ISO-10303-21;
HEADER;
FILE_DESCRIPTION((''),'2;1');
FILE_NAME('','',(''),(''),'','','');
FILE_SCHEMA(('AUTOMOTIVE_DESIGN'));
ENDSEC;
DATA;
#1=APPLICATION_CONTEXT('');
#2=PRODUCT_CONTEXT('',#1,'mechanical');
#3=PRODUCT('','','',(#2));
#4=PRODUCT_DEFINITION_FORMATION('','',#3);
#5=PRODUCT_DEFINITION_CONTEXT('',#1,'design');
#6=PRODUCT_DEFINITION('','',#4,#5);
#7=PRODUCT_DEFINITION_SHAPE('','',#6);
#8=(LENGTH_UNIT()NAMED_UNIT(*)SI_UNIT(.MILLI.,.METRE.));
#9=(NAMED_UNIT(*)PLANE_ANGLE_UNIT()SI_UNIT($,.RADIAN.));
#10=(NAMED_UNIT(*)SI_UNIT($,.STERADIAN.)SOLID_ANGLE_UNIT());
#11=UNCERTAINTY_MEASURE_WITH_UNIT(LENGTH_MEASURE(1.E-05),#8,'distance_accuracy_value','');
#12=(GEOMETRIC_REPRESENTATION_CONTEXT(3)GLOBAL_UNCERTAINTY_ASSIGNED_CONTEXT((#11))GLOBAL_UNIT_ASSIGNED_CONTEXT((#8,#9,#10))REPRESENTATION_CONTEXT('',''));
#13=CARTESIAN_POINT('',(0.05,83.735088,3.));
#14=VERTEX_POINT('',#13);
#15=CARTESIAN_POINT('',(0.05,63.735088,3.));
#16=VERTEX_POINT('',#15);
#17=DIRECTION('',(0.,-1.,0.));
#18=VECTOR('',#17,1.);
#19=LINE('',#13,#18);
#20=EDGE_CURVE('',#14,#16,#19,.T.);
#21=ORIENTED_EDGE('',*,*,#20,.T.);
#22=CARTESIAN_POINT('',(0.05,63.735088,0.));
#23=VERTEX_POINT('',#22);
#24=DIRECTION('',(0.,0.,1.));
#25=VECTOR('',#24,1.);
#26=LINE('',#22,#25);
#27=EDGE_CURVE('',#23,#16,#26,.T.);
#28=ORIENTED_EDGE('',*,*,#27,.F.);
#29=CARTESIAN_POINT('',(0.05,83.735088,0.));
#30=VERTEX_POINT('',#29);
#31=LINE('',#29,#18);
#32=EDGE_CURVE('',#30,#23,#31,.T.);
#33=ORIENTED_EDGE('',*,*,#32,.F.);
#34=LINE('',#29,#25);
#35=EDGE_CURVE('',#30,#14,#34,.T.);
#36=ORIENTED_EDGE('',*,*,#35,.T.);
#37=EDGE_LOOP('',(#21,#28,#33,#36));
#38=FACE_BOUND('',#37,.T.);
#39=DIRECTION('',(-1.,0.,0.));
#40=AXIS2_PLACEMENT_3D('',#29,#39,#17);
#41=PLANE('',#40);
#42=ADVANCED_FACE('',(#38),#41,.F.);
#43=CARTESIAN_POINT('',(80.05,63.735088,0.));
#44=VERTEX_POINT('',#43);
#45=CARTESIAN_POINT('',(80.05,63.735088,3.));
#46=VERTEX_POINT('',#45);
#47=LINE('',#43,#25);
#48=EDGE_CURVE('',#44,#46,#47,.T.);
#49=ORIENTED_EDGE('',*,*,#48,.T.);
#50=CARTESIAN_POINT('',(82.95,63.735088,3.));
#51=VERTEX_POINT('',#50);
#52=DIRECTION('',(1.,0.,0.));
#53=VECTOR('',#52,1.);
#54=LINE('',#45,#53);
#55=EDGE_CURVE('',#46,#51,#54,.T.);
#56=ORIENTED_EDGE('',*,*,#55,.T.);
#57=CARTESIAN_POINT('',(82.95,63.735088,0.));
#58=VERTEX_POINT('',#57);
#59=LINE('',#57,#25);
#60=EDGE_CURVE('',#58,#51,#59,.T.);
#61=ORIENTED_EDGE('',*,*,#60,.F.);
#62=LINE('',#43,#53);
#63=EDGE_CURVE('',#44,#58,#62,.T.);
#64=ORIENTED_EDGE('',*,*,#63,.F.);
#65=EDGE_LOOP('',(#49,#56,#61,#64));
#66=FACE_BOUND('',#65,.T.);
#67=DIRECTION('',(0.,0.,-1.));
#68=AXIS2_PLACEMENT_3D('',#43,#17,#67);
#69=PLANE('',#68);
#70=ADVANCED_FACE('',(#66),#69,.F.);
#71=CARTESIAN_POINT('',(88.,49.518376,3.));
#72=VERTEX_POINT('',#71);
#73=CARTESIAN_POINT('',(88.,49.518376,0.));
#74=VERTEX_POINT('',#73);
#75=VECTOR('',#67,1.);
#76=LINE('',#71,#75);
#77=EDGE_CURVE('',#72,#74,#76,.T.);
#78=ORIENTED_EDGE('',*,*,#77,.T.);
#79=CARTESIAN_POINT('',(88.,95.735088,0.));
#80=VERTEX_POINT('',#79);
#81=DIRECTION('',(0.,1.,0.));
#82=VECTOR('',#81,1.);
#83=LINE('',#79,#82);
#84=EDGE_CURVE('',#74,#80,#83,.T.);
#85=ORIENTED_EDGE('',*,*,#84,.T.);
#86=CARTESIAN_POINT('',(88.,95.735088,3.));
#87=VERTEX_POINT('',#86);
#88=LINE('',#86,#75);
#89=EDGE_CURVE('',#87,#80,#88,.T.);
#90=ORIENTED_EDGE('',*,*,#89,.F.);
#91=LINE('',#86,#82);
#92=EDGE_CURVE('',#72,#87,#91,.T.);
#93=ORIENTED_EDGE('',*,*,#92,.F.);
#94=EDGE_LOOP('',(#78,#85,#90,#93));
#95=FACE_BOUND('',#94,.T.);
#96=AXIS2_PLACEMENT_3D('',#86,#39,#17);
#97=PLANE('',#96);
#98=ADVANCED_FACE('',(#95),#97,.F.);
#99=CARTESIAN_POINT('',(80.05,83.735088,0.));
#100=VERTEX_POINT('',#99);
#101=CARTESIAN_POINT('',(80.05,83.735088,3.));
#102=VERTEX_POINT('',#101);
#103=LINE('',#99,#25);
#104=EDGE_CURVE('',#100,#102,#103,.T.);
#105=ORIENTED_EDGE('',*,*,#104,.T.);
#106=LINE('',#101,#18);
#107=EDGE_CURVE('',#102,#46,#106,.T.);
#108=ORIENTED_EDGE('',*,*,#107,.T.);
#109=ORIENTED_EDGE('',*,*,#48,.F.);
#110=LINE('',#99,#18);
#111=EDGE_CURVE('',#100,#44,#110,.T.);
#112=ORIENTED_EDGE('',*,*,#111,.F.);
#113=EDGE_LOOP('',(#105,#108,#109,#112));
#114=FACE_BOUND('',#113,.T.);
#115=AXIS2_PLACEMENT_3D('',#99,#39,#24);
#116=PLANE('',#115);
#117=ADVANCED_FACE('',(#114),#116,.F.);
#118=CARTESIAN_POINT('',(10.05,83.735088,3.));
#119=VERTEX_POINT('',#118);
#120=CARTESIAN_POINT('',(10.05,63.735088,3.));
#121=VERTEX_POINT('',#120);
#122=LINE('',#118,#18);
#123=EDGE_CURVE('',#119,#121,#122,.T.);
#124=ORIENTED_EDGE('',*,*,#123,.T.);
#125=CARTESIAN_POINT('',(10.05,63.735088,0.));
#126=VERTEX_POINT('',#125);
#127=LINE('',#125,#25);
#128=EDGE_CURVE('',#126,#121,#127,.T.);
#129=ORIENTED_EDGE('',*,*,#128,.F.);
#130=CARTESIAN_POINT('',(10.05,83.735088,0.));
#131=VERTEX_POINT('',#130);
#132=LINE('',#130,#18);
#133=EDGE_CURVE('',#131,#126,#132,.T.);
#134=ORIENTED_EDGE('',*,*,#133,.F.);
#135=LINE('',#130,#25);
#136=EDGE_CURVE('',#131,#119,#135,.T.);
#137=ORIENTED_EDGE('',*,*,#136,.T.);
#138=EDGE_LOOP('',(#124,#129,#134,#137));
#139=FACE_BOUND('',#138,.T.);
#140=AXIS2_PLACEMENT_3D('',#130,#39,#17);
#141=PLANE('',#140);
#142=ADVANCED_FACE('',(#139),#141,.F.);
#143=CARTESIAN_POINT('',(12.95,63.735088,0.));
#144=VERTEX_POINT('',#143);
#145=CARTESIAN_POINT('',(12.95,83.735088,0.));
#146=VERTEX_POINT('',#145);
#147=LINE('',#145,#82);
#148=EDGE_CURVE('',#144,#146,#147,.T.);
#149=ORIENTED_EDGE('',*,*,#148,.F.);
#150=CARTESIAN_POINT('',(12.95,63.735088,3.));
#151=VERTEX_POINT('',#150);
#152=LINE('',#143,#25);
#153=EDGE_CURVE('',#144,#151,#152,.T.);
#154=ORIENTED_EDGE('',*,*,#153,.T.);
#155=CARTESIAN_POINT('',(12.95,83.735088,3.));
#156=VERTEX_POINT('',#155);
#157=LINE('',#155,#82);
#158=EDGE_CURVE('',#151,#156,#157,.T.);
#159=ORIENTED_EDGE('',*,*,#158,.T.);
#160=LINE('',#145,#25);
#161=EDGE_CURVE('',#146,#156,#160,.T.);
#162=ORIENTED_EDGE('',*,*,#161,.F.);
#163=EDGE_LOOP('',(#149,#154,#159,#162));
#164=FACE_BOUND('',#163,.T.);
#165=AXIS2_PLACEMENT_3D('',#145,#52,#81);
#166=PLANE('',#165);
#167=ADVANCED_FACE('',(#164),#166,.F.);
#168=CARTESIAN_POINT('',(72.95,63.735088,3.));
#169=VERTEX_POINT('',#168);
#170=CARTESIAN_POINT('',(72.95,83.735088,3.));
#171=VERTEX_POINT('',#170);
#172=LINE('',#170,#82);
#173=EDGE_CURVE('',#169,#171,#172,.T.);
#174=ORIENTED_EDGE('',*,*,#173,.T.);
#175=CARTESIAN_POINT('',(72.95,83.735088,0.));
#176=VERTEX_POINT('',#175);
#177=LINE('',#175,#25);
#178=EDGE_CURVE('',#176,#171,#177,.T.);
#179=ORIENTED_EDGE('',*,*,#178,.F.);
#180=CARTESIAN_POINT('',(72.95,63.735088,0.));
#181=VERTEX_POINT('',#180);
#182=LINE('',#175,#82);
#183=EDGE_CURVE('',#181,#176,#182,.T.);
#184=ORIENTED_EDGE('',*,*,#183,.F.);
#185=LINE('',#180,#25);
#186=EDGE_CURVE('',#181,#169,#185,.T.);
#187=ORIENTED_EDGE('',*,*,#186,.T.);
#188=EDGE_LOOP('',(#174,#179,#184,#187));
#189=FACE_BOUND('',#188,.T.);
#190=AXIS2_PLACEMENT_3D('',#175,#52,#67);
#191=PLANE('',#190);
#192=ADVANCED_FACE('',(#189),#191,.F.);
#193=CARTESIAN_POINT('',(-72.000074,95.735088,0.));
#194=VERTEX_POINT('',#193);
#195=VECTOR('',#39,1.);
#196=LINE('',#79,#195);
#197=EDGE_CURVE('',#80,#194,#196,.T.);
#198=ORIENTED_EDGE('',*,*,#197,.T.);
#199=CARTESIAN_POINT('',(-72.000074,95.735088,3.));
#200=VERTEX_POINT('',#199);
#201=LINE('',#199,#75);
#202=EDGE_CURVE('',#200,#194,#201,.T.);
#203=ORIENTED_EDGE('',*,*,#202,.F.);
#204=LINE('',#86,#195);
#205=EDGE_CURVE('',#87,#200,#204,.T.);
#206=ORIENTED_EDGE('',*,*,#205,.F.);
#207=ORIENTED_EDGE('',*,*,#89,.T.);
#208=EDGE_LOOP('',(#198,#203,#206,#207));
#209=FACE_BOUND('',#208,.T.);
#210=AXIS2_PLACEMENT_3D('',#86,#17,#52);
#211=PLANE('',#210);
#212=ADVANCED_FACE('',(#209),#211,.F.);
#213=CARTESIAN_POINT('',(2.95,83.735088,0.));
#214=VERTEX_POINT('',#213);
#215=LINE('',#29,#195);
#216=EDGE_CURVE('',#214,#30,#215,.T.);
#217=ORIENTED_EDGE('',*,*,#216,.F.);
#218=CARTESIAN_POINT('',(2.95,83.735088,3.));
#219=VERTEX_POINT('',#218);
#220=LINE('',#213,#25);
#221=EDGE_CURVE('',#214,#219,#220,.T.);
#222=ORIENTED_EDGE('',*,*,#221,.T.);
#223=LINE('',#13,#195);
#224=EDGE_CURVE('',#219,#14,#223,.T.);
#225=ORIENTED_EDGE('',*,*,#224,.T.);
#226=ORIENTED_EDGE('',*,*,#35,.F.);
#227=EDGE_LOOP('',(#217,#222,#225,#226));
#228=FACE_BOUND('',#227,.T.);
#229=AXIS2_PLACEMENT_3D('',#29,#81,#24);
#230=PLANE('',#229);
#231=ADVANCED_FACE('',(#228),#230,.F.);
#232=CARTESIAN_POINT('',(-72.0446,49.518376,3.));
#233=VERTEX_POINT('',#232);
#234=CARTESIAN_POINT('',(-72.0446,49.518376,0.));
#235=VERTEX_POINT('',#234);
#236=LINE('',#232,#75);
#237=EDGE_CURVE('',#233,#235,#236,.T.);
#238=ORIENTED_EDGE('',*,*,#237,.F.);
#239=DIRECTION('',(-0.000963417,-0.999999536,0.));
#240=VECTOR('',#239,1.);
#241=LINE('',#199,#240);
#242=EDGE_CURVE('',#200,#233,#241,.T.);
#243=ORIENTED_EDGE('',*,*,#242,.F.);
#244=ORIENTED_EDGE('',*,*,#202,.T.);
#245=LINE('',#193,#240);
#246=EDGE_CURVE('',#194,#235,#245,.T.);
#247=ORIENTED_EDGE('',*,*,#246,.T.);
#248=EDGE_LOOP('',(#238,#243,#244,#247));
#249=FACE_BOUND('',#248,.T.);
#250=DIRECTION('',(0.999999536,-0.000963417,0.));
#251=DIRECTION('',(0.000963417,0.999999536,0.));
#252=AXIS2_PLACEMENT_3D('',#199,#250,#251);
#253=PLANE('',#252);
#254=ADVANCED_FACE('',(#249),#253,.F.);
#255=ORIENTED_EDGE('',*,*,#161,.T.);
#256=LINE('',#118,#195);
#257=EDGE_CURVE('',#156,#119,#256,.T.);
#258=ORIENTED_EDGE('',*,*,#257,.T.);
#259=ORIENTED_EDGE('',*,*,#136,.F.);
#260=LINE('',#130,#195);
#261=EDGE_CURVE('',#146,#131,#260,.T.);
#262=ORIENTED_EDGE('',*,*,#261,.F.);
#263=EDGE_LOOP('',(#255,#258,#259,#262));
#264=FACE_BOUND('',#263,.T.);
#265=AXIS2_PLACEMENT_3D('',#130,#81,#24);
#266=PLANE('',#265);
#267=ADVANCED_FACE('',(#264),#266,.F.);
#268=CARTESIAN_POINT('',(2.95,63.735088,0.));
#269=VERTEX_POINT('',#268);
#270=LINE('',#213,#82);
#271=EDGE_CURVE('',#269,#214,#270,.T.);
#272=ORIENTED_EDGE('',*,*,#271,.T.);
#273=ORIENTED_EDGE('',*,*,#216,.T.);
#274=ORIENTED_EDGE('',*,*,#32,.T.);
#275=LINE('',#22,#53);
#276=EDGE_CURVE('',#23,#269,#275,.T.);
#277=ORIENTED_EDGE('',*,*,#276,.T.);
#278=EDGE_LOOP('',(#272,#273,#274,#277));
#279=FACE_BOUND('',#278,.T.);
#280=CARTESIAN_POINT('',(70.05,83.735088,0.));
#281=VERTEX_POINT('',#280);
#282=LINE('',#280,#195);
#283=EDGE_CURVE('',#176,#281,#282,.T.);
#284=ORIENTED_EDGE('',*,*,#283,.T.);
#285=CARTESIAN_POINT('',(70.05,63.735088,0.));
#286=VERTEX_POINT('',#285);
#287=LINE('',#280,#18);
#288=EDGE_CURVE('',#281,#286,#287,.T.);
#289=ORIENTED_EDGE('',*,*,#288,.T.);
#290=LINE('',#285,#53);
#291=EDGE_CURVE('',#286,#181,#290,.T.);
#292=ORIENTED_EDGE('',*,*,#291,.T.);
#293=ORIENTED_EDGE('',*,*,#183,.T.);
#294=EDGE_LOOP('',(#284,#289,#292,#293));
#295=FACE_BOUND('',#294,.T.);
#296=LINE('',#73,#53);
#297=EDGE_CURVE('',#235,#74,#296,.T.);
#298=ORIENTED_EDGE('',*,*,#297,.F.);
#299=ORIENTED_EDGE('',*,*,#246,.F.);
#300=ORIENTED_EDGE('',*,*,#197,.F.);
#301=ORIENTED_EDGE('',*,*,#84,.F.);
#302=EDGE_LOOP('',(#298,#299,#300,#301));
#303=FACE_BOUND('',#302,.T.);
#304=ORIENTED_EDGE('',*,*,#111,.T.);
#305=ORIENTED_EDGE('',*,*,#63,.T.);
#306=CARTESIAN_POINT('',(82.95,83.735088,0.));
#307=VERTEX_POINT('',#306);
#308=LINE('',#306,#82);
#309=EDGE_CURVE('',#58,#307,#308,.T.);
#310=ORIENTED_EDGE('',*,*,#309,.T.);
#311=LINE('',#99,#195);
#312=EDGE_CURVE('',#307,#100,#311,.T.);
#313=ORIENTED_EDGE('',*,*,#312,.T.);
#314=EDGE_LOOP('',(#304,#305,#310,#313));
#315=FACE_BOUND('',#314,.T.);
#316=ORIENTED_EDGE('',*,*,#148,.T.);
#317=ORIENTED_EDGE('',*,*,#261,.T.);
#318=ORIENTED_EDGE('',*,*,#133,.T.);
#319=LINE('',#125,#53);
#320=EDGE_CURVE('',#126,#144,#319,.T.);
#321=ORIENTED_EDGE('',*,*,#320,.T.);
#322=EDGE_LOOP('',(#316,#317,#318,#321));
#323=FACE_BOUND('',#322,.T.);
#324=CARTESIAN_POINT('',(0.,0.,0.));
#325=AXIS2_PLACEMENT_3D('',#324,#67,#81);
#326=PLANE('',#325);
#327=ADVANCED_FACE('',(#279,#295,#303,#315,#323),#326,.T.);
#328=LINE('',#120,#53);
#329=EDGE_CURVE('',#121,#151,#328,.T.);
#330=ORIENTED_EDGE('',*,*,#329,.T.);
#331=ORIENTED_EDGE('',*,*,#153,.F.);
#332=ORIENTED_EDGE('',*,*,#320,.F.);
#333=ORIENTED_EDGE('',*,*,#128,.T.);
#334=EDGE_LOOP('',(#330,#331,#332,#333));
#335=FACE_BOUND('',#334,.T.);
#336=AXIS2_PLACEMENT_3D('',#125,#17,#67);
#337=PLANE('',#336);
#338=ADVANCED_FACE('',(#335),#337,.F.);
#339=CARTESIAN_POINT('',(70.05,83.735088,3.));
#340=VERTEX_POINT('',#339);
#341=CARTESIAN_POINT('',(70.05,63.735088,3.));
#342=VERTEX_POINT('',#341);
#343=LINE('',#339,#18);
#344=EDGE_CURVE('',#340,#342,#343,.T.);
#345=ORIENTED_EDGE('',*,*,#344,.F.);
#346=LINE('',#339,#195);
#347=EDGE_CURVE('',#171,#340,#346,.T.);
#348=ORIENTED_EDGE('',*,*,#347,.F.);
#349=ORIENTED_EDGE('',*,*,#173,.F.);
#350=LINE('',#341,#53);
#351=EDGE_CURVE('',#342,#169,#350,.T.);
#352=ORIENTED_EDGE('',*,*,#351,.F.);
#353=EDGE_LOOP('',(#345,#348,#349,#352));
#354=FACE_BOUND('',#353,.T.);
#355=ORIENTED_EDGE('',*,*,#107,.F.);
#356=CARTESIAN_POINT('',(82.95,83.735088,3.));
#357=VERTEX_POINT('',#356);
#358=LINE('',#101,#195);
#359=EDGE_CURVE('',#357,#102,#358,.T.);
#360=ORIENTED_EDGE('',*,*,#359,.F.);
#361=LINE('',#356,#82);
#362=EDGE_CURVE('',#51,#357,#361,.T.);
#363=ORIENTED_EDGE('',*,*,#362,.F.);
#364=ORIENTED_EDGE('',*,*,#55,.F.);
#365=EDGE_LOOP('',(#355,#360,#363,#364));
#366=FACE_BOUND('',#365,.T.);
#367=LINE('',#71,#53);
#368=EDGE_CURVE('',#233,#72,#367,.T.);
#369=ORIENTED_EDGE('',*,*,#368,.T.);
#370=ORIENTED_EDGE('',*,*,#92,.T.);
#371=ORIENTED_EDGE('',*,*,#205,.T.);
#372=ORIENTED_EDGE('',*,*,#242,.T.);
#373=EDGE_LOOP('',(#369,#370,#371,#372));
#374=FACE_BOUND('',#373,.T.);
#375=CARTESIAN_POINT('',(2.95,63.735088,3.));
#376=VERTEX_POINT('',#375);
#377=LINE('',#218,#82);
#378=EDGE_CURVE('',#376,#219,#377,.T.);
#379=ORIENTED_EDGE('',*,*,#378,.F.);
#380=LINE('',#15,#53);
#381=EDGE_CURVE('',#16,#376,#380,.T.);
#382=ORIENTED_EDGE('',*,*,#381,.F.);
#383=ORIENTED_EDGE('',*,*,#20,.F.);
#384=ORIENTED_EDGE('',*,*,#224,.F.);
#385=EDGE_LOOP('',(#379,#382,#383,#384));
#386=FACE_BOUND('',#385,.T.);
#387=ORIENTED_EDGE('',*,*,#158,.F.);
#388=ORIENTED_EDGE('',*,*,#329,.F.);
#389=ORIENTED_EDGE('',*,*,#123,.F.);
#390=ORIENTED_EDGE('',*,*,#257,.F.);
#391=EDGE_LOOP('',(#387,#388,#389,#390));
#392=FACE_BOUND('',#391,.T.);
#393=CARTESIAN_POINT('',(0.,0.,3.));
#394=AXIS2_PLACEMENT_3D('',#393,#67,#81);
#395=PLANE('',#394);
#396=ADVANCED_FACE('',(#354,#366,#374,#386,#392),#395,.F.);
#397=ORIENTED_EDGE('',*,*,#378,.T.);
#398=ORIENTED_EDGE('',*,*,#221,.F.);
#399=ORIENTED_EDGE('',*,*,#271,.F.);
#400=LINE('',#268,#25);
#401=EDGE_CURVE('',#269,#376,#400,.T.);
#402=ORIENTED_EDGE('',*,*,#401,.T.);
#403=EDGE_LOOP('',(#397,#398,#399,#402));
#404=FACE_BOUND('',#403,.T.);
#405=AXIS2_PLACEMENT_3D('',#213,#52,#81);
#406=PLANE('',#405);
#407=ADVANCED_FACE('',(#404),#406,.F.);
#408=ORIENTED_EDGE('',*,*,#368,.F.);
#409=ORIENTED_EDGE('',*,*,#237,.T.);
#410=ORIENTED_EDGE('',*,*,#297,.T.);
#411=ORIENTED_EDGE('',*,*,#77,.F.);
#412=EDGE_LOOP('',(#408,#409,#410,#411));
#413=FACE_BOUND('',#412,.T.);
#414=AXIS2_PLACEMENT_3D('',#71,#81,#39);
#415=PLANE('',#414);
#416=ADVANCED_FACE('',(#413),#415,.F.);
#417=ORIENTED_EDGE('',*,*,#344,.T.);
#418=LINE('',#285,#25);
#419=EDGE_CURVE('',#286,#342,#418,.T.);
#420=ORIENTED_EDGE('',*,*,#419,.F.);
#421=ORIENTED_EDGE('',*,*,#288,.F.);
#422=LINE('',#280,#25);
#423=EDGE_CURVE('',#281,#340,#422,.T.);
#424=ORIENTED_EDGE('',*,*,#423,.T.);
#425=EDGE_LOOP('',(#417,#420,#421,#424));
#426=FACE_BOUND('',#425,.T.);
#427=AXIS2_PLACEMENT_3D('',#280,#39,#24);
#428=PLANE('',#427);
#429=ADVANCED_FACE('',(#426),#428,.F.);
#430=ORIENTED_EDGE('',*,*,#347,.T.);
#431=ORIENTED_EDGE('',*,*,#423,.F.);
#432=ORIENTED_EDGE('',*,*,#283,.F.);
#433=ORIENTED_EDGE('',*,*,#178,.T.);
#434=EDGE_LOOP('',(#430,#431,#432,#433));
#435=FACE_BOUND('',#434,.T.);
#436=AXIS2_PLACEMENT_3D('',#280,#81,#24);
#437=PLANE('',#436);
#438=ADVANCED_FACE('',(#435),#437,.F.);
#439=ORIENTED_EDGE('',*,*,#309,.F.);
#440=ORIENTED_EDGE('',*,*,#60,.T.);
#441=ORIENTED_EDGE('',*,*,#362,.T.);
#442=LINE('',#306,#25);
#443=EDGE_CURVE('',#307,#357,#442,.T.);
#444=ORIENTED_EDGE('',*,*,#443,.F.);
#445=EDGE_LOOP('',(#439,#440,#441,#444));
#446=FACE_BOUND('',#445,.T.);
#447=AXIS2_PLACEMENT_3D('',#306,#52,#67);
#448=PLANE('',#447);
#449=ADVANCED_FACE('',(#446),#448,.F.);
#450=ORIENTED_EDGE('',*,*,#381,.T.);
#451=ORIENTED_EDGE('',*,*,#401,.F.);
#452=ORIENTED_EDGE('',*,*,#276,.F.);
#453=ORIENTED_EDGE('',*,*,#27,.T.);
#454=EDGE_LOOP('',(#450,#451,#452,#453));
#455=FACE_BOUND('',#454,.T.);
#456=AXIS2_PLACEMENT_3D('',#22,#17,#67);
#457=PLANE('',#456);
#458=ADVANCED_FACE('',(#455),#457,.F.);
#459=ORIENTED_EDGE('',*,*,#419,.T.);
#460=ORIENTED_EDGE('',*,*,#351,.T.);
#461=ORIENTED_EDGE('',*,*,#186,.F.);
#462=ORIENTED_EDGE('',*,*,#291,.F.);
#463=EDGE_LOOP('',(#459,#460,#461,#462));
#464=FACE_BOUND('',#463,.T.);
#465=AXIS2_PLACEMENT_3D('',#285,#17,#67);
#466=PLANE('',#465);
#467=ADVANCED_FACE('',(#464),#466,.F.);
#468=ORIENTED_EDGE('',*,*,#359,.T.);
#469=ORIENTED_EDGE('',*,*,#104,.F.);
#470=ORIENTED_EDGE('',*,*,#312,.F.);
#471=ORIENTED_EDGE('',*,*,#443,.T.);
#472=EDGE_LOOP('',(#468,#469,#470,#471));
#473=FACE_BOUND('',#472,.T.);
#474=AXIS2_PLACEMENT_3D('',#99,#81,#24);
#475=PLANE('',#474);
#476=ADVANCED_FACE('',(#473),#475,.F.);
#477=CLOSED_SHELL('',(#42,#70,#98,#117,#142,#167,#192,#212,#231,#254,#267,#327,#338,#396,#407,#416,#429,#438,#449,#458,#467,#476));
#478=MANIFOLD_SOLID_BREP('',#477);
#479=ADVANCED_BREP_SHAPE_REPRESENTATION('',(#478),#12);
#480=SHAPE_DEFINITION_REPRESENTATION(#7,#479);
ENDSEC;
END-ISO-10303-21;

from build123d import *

# Parameters (mm, degrees)
BOSS_EXTRUDE1_DEPTH = 3
SKETCH4_W           = 2.9
SKETCH4_H           = 20
CUT_EXTRUDE1_DEPTH  = 4


with BuildPart() as part:
    # Sketch3 → Boss-Extrude1 (new body)
    with BuildSketch(Plane(origin=(0, 0, 0), x_dir=(0.999999536, -0.000963417, 0), z_dir=(0, 0, 1))):
        Polygon((87.907726379, 95.819824151), (-72.092273621, 95.665677408), (-72.092273621, 49.448943998), (87.95225233, 49.603133638), align=None)
    extrude(amount=BOSS_EXTRUDE1_DEPTH)

    # Sketch4 → Cut-Extrude1 (cut, through all)
    with BuildSketch(Plane.XY.offset(3)):
        with Locations((1.5, 73.735087911)):
            Rectangle(SKETCH4_W, SKETCH4_H)
        with Locations((11.5, 73.735087911)):
            Rectangle(SKETCH4_W, SKETCH4_H)
        with Locations((71.5, 73.735087911)):
            Rectangle(SKETCH4_W, SKETCH4_H)
        with Locations((81.5, 73.735087911)):
            Rectangle(SKETCH4_W, SKETCH4_H)
    extrude(amount=-CUT_EXTRUDE1_DEPTH, mode=Mode.SUBTRACT)


solid = part.part
